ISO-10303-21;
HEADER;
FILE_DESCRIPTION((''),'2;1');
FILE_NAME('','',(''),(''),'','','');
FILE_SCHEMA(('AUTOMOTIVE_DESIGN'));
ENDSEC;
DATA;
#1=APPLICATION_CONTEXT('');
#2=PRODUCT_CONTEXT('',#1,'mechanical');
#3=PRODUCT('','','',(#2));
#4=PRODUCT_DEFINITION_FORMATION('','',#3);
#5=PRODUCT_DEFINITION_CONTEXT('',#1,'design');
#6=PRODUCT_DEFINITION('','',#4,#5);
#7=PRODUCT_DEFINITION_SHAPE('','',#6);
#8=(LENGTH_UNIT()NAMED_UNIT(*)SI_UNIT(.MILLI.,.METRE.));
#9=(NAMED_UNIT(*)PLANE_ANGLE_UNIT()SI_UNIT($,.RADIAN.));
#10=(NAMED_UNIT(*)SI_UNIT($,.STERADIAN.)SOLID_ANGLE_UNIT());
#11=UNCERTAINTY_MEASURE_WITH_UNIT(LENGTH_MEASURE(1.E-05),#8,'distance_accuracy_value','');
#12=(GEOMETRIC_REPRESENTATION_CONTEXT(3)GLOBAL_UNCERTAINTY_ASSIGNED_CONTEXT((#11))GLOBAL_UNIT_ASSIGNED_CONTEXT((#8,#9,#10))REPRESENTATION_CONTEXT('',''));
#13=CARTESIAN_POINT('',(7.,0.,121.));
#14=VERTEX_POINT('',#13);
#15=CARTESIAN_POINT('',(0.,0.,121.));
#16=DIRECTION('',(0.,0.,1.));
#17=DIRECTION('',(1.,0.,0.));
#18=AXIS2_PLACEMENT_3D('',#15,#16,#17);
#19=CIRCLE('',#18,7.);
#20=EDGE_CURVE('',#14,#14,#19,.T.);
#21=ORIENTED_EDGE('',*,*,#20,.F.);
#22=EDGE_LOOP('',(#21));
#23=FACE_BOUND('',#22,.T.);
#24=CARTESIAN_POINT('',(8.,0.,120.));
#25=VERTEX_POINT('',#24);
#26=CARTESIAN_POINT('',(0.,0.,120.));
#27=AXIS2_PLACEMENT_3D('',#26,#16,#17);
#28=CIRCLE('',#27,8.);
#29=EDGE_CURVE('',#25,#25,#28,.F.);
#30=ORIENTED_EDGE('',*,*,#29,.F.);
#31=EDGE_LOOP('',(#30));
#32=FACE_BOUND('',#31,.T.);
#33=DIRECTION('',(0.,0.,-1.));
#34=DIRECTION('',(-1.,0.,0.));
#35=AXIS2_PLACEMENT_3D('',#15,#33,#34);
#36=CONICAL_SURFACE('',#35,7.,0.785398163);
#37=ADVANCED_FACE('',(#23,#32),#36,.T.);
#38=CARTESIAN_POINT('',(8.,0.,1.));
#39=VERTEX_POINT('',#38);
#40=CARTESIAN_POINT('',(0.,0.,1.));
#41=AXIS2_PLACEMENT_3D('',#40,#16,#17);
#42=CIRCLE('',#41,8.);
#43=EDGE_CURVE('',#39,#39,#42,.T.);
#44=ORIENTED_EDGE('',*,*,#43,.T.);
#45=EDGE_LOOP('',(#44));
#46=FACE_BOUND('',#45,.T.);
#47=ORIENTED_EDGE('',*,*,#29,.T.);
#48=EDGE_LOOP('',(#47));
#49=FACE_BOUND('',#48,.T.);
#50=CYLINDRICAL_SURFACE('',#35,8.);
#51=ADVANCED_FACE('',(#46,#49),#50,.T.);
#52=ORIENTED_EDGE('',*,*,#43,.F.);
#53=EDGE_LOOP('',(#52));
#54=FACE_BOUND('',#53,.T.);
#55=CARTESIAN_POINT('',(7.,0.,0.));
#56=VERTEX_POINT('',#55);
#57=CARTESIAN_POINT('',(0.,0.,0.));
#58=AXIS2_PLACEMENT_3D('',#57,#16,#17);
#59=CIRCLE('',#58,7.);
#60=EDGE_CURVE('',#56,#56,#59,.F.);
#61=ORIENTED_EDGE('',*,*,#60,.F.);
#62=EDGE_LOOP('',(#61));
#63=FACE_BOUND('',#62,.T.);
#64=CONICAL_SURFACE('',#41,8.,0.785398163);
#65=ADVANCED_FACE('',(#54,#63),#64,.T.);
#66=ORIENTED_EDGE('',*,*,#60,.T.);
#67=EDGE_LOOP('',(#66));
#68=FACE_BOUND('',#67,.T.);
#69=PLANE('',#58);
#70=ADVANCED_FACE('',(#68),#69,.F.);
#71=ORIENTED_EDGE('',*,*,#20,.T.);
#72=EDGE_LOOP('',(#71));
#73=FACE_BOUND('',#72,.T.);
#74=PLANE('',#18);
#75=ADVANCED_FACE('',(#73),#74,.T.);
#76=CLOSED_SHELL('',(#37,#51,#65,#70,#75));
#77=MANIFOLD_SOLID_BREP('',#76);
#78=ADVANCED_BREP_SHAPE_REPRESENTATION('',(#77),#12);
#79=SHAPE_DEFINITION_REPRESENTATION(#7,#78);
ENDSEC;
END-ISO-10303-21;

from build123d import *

# Parameters (mm, degrees)
SKETCH_1_R      = 8
EXTRUDE_1_DEPTH = 121
CHAMFER_1_SIZE  = 1


with BuildPart() as part:
    # 草图1 → 凸台-拉伸1 (new body)
    with BuildSketch(Plane.XY):
        Circle(SKETCH_1_R)
    extrude(amount=EXTRUDE_1_DEPTH)

    # 倒角1
    chamfer_1_edges = [part.edges().sort_by_distance(p)[0] for p in [
        (-8, 0, 0),
        (-8, 0, 121),
    ]]
    chamfer(chamfer_1_edges, length=CHAMFER_1_SIZE)


solid = part.part
